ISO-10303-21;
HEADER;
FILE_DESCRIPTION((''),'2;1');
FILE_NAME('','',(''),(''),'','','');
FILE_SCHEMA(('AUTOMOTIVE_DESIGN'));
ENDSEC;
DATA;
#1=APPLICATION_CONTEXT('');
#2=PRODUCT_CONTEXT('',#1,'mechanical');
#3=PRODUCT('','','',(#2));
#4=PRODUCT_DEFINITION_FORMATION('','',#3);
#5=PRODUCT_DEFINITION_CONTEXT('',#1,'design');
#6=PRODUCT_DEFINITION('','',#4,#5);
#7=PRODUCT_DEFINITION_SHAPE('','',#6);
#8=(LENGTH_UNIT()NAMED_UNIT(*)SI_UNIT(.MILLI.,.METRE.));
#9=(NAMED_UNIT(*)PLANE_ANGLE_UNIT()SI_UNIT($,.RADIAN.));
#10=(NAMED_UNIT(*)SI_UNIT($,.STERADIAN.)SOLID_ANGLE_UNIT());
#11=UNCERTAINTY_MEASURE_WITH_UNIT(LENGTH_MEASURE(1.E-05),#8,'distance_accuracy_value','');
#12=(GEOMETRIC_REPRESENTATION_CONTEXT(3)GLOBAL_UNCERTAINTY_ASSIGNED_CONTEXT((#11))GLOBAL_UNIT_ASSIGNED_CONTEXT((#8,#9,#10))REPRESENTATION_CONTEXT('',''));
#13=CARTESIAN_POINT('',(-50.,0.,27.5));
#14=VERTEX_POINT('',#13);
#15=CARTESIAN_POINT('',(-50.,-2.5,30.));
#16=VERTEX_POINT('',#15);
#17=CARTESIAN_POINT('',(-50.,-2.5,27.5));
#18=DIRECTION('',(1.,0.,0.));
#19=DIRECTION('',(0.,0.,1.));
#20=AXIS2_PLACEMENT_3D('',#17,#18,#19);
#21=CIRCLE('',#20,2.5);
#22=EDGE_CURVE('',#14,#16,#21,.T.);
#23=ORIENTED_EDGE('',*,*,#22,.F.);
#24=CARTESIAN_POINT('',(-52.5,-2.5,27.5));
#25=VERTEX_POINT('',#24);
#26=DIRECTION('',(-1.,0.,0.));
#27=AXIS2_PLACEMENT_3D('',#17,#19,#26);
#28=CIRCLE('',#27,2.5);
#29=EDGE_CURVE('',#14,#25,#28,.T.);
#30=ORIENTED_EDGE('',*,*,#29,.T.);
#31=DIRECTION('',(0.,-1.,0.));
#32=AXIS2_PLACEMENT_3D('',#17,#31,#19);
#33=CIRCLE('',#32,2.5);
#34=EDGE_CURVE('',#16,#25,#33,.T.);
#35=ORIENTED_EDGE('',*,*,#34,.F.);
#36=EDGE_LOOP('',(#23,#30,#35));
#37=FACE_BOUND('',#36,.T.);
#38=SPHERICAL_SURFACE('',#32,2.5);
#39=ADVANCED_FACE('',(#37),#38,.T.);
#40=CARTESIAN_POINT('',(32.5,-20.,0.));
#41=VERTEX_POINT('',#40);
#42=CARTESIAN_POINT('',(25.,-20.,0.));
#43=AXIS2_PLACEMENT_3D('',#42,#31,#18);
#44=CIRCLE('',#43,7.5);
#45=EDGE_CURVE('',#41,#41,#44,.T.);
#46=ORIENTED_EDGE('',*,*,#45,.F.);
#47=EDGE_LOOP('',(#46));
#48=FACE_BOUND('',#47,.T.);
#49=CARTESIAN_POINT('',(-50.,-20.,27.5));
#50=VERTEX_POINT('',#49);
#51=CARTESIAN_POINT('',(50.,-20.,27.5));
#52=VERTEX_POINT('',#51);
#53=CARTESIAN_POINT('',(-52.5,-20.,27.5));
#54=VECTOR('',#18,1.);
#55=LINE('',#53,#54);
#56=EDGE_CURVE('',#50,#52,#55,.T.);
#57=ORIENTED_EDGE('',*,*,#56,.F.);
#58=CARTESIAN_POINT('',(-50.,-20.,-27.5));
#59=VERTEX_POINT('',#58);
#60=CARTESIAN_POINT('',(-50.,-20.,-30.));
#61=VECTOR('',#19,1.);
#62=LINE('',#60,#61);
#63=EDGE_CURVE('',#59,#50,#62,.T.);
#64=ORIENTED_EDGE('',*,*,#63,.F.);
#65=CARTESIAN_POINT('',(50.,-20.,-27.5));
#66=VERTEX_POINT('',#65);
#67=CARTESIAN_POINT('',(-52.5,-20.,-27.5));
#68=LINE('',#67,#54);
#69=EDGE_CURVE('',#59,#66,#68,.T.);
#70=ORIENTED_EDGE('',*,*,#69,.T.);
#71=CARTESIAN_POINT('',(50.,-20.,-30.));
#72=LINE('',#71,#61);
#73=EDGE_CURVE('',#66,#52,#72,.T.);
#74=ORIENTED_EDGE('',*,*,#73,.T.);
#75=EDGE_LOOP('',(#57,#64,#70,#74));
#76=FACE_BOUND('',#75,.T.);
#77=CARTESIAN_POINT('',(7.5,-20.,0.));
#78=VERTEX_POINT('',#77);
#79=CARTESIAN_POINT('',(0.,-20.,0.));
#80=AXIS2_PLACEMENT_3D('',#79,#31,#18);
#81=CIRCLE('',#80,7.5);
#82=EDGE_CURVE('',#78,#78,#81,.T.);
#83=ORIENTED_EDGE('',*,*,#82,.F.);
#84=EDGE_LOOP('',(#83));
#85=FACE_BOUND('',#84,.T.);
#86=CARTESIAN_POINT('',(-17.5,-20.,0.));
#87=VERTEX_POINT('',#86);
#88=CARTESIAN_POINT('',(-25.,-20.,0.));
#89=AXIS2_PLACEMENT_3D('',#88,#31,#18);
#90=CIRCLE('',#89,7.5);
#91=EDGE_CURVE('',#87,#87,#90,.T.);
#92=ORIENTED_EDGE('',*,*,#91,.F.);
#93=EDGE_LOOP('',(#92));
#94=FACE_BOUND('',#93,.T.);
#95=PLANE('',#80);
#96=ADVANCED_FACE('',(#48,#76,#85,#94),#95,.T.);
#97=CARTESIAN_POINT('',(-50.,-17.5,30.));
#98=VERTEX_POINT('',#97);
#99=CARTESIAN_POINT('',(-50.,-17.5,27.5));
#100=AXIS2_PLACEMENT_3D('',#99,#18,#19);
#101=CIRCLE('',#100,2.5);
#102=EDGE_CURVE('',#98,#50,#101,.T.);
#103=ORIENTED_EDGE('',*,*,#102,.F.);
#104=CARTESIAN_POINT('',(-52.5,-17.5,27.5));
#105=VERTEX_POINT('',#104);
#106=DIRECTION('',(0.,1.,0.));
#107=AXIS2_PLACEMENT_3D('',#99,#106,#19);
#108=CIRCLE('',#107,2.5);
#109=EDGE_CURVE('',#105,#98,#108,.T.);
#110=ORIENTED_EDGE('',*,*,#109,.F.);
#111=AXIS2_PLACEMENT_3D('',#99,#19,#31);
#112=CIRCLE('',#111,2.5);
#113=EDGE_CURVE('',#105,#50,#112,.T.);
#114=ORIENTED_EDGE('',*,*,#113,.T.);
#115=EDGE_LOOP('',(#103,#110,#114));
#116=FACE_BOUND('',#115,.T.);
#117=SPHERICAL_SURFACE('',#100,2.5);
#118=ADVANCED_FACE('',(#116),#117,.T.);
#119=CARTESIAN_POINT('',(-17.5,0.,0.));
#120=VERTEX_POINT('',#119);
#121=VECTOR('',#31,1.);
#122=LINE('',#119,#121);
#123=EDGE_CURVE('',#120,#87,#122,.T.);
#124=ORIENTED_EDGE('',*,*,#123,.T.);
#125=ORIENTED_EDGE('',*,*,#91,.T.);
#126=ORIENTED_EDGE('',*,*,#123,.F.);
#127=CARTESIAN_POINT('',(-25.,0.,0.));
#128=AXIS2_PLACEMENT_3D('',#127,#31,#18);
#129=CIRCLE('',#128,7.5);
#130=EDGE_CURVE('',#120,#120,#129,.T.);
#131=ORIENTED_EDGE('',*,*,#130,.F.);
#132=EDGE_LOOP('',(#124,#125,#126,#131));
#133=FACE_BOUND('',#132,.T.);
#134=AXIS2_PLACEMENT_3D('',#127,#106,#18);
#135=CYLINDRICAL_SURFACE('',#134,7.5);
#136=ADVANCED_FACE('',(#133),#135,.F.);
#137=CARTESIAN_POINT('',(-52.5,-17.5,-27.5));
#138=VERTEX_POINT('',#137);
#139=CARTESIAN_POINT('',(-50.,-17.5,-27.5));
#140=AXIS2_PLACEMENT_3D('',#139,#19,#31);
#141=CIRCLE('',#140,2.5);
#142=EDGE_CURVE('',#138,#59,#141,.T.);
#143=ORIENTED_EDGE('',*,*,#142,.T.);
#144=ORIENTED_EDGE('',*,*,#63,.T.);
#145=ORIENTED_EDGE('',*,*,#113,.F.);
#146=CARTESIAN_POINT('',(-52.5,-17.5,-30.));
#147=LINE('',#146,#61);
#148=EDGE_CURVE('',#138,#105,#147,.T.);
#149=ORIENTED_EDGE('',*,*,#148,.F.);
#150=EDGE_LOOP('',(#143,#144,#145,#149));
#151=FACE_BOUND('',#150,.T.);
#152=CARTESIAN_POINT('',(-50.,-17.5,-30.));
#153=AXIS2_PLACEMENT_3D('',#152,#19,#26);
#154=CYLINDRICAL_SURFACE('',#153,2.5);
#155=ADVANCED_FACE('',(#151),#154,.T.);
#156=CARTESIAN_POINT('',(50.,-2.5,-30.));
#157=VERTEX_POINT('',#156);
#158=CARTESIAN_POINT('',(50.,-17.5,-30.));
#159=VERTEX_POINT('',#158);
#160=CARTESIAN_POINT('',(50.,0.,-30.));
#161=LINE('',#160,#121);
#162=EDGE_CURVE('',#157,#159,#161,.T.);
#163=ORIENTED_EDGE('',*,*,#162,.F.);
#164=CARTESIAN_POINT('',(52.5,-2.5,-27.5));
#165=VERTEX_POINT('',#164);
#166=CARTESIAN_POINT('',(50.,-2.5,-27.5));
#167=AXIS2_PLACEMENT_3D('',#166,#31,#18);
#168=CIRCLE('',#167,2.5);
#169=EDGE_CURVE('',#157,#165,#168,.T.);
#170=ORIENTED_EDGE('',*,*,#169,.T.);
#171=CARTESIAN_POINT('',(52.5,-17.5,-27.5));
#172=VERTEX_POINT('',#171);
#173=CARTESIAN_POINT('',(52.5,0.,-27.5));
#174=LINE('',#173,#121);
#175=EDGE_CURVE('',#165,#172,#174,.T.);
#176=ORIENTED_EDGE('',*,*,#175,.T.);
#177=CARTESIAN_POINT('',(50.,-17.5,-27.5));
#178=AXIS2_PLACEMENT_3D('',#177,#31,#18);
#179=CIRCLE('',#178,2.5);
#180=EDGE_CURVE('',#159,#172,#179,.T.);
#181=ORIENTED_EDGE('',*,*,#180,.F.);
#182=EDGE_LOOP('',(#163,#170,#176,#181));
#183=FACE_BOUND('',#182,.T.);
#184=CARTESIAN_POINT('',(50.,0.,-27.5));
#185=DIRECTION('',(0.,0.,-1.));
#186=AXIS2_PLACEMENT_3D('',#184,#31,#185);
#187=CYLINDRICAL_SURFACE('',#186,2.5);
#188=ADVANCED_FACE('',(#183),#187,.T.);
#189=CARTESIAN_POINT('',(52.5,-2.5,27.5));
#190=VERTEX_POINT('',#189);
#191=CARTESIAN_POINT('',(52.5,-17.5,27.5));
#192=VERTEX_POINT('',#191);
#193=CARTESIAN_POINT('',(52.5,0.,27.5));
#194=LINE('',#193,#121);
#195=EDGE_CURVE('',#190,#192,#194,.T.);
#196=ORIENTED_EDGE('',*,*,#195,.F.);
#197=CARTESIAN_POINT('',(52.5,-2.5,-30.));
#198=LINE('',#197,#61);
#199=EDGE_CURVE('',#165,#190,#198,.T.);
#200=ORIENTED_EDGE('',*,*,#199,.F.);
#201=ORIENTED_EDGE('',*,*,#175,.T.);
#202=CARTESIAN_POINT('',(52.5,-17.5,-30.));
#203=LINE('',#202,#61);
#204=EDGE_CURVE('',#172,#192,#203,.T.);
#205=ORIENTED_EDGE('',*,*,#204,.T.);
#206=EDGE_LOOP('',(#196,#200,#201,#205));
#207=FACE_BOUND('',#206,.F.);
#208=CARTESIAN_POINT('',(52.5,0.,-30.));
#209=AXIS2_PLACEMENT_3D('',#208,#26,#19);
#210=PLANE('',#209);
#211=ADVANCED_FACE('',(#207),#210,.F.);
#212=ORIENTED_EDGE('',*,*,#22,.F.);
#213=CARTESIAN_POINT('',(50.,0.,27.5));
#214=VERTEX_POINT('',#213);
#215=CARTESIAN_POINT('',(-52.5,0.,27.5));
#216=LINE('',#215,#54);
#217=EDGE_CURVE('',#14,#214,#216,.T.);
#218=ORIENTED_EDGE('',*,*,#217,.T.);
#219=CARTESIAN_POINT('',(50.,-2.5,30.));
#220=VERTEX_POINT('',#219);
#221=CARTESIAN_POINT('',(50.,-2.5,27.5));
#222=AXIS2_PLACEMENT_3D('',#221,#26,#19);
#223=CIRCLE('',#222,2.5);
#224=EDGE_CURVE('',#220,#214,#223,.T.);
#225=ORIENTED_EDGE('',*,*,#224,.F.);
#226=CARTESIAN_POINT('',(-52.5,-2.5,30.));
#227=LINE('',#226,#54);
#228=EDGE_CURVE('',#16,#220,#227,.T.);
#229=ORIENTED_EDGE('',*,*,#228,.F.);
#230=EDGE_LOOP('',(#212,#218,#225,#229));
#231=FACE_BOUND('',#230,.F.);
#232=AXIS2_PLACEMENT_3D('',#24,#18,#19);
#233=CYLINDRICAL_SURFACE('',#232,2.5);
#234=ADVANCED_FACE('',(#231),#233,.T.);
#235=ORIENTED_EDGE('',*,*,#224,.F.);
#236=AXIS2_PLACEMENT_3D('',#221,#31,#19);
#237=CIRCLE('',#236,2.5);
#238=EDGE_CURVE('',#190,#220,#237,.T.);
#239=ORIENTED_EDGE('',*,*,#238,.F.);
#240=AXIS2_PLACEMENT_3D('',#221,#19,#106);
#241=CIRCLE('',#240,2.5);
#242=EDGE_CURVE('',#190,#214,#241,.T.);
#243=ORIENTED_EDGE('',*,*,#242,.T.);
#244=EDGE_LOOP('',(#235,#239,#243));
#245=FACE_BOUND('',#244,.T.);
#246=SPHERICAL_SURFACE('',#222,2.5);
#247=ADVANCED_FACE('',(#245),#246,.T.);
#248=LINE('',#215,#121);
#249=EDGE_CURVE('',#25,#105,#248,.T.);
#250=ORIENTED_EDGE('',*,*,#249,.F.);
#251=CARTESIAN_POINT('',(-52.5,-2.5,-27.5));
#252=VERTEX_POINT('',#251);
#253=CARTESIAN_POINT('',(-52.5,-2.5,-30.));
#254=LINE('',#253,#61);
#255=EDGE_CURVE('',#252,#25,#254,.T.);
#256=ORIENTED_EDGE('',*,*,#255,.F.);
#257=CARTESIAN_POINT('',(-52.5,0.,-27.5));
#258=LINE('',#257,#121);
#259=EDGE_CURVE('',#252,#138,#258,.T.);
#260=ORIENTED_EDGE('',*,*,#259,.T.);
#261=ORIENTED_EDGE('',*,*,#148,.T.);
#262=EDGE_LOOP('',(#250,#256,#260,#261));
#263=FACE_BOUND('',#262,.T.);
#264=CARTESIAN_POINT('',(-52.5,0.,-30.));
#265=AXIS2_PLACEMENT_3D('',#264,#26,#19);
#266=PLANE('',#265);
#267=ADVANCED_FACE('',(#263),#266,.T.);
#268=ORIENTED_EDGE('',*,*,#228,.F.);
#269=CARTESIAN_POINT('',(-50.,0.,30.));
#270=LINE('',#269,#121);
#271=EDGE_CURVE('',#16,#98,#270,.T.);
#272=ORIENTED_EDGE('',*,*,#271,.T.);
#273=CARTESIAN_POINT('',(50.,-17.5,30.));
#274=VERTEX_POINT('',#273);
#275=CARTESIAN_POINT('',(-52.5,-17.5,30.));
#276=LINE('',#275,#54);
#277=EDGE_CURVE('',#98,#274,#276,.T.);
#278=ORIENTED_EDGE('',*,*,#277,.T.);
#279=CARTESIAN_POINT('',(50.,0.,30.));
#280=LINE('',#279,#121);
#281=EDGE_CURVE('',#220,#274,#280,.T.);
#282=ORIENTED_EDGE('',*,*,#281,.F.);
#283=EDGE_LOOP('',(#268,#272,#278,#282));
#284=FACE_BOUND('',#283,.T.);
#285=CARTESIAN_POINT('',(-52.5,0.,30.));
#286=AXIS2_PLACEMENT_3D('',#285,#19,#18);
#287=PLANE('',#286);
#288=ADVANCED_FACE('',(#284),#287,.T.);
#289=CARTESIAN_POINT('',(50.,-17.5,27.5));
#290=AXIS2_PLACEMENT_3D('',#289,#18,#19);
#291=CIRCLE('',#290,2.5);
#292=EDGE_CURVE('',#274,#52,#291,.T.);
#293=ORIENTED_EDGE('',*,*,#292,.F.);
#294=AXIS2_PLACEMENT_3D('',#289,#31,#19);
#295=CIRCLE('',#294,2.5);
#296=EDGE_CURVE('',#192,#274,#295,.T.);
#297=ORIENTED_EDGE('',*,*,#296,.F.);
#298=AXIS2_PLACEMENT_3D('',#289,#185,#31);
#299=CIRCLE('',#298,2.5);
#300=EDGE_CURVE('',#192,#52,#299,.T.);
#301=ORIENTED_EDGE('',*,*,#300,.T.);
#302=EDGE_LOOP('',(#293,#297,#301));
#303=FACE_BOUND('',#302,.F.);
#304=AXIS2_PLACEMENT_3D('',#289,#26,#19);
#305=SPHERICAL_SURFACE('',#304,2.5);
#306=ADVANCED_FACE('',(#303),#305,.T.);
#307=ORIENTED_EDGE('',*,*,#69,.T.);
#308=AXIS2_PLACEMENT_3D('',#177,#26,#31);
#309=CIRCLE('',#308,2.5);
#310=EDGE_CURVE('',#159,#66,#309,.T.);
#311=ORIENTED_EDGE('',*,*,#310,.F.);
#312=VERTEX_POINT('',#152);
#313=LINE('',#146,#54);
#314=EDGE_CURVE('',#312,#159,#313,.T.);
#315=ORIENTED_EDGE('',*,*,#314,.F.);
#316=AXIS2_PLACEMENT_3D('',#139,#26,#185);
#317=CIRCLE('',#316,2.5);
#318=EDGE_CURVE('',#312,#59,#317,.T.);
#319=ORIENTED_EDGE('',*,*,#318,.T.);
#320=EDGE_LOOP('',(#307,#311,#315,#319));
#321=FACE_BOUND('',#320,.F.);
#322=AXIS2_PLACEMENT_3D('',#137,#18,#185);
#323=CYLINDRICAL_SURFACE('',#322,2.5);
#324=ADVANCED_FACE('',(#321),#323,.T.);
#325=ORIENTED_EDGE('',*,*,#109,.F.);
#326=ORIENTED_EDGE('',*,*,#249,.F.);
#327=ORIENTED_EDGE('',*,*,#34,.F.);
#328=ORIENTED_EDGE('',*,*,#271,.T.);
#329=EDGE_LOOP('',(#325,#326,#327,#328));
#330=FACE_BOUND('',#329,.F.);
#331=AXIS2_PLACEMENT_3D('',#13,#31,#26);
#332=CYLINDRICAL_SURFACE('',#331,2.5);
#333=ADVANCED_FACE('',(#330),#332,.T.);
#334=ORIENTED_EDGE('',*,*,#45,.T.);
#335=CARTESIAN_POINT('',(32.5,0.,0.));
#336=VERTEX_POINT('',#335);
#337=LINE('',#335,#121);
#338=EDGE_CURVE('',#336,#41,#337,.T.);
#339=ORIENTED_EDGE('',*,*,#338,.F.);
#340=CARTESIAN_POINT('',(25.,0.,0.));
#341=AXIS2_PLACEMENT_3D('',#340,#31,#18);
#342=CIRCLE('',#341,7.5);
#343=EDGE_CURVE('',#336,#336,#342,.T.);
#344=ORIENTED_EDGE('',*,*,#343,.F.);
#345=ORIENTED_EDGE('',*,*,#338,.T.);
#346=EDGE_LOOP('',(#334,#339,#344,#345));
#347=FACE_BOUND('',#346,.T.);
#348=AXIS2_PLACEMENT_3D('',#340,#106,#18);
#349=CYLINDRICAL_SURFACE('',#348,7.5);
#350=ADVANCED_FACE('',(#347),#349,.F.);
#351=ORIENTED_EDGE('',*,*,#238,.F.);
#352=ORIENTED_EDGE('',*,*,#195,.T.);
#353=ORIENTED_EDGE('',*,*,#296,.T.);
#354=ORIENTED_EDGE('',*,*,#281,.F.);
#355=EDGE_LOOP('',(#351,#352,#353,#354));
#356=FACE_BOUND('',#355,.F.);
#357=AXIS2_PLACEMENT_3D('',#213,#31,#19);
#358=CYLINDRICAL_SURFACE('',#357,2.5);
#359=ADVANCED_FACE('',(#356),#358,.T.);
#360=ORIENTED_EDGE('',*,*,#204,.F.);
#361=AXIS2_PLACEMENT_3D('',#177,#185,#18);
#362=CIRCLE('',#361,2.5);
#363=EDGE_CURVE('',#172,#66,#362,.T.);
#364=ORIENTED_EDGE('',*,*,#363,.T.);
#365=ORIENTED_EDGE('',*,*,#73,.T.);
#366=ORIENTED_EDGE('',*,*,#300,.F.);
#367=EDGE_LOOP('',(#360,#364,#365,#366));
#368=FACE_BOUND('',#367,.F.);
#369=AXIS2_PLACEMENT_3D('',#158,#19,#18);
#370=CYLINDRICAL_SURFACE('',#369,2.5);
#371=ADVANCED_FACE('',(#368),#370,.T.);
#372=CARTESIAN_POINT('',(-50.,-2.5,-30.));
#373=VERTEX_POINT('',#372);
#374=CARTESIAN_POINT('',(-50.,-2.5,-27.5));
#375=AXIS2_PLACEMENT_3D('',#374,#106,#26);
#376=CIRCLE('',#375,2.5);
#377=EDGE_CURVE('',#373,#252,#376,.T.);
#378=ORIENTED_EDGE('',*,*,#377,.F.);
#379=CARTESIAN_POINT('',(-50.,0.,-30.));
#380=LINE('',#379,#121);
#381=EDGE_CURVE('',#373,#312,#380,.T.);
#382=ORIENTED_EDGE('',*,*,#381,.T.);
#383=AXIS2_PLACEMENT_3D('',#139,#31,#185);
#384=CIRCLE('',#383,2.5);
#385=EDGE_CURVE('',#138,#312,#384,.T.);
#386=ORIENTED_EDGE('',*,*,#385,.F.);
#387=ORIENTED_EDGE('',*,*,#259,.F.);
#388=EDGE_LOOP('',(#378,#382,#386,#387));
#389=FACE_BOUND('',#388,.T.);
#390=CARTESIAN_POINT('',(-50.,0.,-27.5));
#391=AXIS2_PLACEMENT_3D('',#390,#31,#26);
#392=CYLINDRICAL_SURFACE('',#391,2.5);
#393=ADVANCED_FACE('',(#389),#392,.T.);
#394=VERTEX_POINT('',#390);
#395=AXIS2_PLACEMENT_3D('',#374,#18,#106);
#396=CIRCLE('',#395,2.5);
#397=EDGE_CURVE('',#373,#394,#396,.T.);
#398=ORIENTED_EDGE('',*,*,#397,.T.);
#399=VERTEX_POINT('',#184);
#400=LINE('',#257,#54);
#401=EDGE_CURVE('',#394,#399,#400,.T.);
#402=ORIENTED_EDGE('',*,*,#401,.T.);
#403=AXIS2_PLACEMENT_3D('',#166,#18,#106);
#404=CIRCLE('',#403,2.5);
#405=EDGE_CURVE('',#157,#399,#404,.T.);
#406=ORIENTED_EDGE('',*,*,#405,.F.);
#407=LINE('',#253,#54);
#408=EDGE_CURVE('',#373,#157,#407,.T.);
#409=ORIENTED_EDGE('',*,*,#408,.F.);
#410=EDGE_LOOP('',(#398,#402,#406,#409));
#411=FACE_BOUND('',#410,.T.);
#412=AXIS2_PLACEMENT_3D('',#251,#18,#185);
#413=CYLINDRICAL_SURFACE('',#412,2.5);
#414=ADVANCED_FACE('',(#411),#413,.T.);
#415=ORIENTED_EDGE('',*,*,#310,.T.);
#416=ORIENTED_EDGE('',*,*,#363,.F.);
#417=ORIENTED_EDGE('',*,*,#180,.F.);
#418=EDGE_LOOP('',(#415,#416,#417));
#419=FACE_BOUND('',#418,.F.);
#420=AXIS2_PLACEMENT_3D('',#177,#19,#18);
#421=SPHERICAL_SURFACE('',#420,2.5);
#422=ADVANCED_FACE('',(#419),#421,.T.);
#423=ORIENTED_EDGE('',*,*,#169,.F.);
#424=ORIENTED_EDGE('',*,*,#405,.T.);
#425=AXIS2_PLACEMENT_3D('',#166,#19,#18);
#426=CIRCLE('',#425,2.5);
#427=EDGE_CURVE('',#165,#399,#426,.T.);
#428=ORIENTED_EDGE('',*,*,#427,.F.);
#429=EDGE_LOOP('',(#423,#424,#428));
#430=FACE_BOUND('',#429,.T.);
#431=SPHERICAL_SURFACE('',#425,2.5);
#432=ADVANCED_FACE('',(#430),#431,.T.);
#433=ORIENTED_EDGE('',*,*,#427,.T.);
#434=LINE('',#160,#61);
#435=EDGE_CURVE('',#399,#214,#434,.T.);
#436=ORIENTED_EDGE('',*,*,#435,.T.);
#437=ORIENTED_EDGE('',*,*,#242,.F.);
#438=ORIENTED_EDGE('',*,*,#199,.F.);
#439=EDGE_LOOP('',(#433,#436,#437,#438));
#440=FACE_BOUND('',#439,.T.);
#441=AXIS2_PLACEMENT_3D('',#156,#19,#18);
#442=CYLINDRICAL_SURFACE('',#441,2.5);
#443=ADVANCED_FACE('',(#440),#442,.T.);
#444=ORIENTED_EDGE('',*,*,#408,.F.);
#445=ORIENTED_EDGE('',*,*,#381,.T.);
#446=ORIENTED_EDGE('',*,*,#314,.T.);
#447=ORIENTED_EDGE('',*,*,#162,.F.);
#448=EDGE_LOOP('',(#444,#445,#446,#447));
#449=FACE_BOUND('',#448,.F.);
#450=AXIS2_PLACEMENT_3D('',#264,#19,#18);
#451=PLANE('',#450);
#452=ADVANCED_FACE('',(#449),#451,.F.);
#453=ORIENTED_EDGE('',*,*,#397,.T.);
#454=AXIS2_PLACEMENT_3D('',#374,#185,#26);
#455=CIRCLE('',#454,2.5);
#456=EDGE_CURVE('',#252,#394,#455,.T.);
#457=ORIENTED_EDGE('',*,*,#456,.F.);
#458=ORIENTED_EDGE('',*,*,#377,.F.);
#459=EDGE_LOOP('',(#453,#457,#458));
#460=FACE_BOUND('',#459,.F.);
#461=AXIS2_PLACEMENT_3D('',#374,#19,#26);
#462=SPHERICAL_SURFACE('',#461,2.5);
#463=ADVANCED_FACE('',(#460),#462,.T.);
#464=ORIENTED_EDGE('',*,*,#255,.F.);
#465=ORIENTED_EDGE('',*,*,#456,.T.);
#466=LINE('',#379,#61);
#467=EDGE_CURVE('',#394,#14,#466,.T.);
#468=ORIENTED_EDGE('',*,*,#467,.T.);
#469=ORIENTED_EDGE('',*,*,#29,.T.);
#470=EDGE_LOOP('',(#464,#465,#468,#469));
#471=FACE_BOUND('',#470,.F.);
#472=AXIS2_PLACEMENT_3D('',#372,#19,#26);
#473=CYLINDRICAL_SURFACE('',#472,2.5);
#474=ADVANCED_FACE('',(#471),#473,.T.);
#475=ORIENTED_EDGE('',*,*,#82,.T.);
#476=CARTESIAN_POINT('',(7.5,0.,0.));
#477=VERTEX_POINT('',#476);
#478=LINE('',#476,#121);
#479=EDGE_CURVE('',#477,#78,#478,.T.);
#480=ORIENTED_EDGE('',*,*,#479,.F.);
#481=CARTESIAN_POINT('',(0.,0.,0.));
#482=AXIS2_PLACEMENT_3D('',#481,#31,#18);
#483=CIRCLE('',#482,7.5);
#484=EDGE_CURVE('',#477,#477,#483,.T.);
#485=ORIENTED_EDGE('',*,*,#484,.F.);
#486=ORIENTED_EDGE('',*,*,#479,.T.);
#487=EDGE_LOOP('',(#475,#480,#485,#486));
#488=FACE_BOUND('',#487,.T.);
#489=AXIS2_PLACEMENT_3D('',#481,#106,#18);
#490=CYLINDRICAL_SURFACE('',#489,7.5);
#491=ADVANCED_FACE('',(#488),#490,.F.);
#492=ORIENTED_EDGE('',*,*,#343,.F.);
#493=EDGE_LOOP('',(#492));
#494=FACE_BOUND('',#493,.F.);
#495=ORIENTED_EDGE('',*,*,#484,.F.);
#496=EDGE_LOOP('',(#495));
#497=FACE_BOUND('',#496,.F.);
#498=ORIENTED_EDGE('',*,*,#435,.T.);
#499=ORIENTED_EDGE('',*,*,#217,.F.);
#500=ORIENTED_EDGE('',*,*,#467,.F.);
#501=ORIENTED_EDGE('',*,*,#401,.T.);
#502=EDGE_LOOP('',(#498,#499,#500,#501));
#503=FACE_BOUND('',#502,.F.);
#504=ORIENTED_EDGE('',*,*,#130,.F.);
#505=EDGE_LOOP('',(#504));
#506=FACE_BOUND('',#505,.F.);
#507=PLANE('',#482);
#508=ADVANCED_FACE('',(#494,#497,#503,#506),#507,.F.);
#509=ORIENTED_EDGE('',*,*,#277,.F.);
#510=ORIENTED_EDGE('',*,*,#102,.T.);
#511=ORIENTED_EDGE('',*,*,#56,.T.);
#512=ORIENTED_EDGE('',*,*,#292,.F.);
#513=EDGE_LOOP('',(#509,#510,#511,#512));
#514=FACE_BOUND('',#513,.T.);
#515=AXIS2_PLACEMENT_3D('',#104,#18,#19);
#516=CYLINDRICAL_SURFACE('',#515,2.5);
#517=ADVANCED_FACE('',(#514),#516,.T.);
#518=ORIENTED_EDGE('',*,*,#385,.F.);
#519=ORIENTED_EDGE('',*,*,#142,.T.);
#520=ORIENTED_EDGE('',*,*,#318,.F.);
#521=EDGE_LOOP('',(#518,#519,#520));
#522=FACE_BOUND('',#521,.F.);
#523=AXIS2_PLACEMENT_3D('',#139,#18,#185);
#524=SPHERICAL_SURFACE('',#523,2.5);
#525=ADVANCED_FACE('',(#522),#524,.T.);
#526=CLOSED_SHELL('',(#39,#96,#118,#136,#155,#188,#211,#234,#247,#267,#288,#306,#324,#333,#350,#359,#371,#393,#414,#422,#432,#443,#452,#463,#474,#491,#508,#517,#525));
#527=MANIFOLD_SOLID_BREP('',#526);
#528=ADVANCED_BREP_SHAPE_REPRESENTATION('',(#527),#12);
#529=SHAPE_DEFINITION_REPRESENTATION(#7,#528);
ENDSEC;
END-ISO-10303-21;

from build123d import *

# Parameters (mm, degrees)
F0_W     = 105
F0_H     = 60
F0_R     = 7.5
F1_DEPTH = 20
F2_R     = 2.5


with BuildPart() as f1:
    # F0 (on Front) → F1 (new body)
    with BuildSketch(Plane.XZ):
        Rectangle(F0_W, F0_H)
        with Locations((-25, 0)):
            Circle(F0_R, mode=Mode.SUBTRACT)
        Circle(F0_R, mode=Mode.SUBTRACT)
        with Locations((25, 0)):
            Circle(F0_R, mode=Mode.SUBTRACT)
    extrude(amount=F1_DEPTH)

    # F2
    f2_edges = [f1.edges().sort_by_distance(p)[0] for p in [
        (0, -20, 30),
        (-52.5, -10, 30),
        (0, 0, 30),
        (52.5, -10, 30),
        (52.5, -20, 0),
        (52.5, 0, 0),
        (52.5, -10, -30),
        (0, -20, -30),
        (-52.5, 0, 0),
        (-52.5, -10, -30),
        (0, 0, -30),
        (-52.5, -20, 0),
    ]]
    fillet(f2_edges, radius=F2_R)


solid = f1.part
